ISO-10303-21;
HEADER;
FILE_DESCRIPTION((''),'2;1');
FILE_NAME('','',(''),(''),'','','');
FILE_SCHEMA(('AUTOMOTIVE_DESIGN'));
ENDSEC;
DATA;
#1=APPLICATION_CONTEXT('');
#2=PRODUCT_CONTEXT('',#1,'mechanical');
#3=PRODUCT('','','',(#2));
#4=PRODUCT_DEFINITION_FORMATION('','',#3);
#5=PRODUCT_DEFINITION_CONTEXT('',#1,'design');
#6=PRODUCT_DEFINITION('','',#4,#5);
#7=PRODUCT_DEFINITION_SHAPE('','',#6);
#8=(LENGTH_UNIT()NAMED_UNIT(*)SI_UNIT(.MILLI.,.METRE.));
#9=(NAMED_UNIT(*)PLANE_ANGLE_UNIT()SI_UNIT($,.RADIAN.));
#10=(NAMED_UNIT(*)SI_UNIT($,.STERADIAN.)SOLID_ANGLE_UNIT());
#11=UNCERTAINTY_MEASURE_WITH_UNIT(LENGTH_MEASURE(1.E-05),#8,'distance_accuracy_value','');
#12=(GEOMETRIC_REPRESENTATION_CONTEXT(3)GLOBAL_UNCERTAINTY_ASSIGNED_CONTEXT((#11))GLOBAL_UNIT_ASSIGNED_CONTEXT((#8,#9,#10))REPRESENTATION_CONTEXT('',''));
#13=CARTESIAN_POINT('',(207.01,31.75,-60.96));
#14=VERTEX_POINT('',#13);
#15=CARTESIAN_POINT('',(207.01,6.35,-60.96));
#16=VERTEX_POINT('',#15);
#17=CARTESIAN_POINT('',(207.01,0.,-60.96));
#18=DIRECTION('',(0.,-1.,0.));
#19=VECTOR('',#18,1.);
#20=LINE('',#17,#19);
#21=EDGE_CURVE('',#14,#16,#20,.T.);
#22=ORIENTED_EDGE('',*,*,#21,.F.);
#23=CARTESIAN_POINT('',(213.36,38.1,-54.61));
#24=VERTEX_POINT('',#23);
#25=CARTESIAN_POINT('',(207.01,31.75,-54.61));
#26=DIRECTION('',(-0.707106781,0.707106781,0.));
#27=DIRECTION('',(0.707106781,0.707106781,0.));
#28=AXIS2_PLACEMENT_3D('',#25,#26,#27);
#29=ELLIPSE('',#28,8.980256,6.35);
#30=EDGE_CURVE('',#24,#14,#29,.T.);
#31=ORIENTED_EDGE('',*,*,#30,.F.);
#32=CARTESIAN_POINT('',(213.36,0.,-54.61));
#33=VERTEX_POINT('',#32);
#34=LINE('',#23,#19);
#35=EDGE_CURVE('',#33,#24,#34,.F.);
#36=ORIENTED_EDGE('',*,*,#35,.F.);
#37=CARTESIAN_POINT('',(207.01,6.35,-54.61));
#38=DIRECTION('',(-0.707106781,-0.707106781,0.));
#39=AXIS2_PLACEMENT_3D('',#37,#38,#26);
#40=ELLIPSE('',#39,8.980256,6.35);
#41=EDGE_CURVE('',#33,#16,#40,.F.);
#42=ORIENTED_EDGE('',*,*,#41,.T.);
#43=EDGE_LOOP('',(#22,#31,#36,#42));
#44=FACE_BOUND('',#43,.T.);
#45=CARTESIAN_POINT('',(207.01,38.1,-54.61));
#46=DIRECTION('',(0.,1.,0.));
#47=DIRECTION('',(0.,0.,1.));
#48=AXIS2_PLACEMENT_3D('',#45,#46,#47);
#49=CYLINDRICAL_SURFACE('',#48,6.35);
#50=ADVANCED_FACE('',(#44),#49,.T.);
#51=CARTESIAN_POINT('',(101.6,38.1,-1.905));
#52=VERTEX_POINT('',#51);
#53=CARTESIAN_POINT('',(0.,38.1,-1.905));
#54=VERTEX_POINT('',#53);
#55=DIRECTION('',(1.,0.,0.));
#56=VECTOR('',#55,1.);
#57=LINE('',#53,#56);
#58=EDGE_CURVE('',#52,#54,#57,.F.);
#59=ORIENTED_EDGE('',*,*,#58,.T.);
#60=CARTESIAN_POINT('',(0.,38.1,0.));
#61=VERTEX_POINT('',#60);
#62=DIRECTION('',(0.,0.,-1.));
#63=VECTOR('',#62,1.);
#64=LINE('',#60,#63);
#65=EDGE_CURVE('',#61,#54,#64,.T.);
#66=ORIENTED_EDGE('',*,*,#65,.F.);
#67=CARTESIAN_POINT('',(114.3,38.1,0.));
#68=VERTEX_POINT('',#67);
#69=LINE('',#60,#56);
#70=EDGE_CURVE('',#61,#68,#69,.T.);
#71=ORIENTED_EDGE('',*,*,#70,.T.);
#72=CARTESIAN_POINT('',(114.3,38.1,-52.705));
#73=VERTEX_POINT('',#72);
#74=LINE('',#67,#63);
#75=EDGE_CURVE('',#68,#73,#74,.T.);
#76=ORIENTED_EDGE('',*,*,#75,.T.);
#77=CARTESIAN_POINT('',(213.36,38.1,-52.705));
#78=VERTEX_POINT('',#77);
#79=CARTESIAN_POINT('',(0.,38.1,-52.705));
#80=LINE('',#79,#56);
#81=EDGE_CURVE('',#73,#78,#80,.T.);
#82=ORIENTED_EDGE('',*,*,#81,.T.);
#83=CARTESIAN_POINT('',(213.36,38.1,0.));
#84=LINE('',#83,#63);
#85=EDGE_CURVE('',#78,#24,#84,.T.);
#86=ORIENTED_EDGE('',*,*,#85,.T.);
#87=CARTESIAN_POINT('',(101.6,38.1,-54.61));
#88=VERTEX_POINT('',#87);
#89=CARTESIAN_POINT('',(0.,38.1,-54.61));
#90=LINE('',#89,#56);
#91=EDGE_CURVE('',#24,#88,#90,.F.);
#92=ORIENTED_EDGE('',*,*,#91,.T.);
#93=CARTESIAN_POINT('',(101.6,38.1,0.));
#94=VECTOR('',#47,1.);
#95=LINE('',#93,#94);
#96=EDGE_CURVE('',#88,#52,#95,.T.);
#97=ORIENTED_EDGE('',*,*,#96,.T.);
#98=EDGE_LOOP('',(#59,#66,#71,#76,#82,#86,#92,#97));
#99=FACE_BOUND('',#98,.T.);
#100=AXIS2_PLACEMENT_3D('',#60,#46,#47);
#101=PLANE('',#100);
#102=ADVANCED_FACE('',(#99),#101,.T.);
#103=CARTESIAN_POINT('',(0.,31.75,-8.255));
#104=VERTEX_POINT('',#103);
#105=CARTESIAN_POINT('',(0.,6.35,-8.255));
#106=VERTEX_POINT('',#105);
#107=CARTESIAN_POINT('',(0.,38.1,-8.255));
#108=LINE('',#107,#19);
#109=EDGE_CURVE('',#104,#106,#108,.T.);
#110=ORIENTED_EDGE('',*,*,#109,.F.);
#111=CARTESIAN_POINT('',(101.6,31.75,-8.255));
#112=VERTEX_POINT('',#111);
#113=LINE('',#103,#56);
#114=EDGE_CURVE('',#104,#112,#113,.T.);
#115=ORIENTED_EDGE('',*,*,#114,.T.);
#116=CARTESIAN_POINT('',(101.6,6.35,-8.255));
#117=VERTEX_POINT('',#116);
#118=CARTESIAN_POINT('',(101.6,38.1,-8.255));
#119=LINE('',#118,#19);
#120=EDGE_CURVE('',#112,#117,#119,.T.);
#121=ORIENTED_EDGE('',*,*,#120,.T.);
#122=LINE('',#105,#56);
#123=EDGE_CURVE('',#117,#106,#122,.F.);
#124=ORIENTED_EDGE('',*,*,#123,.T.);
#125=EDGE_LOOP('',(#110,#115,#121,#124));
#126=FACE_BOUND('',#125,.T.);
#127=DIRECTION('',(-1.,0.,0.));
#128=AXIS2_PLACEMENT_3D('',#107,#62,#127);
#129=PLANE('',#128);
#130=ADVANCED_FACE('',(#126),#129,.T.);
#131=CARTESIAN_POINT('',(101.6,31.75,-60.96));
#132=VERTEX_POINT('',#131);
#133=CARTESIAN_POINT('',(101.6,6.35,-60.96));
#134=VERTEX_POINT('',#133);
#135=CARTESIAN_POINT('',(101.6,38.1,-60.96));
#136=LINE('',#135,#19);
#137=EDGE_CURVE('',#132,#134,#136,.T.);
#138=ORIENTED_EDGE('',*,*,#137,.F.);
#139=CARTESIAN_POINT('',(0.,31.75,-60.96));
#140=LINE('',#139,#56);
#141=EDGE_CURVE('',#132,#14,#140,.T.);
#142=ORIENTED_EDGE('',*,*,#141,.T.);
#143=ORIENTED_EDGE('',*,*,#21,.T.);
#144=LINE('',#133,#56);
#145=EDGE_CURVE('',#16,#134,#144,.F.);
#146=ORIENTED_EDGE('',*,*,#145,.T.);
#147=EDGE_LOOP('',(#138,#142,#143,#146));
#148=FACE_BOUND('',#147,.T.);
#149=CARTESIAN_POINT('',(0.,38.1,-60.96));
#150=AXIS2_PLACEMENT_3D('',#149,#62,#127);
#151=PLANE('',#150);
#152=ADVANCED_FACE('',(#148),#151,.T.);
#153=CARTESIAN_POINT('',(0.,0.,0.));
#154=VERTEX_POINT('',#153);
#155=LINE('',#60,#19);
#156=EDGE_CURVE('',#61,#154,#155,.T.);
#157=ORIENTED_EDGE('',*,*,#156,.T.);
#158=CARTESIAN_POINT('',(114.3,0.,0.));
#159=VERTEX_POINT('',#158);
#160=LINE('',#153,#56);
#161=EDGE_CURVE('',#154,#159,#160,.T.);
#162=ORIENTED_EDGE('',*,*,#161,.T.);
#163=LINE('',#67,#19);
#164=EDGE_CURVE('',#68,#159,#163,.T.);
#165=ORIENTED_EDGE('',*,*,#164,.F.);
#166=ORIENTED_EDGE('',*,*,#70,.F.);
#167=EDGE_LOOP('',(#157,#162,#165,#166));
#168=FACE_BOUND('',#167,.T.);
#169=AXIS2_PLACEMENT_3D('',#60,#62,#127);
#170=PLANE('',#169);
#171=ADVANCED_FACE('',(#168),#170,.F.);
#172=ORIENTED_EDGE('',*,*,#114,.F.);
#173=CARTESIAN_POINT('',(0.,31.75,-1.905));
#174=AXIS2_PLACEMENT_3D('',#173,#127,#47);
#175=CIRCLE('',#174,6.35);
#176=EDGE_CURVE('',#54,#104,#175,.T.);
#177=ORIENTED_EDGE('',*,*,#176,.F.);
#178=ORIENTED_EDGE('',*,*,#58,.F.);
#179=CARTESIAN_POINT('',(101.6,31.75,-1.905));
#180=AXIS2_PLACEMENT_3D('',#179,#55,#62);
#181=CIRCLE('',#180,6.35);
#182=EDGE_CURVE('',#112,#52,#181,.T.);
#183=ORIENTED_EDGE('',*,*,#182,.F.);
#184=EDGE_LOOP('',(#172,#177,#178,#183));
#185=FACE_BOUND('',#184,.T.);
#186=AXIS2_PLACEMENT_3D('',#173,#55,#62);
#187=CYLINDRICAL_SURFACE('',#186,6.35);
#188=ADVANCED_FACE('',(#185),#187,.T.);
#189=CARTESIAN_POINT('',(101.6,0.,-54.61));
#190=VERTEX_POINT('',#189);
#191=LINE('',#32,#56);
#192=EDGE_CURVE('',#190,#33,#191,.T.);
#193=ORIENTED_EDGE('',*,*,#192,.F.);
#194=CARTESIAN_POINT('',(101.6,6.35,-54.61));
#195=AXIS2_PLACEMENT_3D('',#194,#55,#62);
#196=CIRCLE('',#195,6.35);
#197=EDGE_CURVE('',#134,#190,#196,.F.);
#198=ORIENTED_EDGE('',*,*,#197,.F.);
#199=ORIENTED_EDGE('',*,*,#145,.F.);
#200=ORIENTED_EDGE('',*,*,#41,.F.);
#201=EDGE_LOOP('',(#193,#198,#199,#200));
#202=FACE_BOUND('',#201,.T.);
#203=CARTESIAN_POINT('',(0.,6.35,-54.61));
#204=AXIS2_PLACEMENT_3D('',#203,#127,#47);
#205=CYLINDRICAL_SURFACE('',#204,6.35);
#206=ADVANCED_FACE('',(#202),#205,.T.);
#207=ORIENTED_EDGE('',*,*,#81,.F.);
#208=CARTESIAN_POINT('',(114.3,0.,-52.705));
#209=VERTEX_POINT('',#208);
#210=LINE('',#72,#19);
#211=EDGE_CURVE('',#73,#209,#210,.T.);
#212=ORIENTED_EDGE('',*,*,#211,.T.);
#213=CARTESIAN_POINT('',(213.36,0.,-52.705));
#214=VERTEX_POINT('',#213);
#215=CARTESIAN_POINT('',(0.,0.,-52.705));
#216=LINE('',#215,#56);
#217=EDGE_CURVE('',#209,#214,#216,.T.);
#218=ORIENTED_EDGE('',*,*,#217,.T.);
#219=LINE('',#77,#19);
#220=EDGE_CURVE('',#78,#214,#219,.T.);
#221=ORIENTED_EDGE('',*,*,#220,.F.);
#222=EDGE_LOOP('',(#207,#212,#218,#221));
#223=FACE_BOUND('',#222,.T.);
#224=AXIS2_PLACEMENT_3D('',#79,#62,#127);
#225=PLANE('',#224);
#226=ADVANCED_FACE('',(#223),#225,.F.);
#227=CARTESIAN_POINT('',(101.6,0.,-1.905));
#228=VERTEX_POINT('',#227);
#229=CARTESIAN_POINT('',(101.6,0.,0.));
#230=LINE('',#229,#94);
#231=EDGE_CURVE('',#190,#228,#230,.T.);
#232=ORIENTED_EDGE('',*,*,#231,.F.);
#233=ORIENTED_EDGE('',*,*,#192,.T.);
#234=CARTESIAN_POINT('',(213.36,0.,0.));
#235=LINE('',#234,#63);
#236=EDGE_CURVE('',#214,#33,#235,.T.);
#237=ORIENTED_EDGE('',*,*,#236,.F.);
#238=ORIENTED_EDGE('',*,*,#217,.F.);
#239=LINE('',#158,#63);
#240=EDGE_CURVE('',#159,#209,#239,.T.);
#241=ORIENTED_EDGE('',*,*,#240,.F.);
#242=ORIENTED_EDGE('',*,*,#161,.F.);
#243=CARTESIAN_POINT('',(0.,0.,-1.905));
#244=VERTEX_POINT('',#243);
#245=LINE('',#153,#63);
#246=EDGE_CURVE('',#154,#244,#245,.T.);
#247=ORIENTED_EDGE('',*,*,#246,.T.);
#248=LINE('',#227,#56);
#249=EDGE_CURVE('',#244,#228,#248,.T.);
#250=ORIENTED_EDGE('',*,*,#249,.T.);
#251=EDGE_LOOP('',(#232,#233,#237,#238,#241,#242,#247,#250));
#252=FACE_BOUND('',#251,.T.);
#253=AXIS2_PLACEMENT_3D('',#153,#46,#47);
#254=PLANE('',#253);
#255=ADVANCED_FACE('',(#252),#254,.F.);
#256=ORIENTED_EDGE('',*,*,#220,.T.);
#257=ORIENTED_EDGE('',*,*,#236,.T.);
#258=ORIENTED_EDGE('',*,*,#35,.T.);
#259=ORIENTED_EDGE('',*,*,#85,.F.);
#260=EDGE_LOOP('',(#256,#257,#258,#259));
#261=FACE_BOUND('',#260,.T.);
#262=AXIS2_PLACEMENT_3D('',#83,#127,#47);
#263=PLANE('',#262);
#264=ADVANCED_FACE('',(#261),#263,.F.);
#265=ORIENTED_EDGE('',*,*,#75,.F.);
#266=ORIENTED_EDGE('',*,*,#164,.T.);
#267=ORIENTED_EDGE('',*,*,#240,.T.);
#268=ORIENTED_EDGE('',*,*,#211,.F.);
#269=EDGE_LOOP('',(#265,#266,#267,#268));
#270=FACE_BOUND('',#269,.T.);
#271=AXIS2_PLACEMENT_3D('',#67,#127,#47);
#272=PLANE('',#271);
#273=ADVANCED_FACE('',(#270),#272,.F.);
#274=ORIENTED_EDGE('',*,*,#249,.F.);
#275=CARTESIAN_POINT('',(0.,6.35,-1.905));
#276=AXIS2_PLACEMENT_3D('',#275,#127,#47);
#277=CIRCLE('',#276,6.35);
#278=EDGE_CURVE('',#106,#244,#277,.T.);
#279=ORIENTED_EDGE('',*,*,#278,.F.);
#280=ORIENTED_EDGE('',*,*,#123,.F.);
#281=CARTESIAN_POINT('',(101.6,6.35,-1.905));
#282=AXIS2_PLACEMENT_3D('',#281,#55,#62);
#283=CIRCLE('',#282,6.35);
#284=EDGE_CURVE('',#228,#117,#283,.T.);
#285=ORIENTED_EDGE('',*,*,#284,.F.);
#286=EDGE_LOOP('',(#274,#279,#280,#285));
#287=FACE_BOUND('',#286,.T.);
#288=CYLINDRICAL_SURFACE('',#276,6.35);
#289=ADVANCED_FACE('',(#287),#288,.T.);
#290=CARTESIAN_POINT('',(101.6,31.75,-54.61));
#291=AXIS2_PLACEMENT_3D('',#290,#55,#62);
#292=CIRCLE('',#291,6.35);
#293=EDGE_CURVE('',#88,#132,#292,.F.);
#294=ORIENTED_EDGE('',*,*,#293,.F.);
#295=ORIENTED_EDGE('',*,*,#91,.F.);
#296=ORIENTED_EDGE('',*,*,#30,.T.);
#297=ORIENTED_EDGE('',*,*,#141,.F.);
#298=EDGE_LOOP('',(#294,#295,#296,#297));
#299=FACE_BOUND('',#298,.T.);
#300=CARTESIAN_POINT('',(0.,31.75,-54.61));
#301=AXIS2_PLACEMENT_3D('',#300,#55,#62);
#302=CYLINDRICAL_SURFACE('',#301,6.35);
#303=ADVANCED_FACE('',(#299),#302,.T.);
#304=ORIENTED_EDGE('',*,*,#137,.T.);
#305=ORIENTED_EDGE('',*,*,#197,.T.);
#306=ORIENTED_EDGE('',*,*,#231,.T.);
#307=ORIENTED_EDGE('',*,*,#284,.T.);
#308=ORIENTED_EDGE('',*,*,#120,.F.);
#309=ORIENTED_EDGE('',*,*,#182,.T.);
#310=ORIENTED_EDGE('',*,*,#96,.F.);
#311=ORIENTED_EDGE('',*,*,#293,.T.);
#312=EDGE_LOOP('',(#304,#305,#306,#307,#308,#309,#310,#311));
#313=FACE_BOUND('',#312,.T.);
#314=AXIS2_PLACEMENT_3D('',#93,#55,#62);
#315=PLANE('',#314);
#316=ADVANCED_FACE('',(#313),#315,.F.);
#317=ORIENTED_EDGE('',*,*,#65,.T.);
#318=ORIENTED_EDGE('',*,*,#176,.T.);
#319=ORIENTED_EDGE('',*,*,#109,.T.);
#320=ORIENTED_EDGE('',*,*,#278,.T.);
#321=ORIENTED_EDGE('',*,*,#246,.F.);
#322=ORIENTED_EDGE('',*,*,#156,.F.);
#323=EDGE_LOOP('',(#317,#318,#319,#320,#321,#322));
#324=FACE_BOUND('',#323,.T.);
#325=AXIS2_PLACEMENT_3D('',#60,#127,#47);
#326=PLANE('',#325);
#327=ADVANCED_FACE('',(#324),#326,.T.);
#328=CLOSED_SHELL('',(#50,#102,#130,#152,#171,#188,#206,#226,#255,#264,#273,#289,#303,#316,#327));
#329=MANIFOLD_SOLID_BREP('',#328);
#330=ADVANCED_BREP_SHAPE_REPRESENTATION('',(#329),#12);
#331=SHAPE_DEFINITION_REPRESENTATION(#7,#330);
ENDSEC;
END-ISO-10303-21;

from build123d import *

# Parameters (mm, degrees)
SKETCH2_W           = 12.7
SKETCH2_H           = 44.45
BOSS_EXTRUDE1_DEPTH = 38.1
FILLET1_R           = 6.35


with BuildPart() as part:
    # Sketch2 → Boss-Extrude1 (new body)
    with BuildSketch(Plane(origin=(0, 0, 0), x_dir=(1, 0, 0), z_dir=(0, 1, 0))):
        Polygon((0, 8.255), (0, 0), (114.3, 0), (114.3, 8.255), (101.6, 8.255), align=None)
        with Locations((107.95, 30.48)):
            Rectangle(SKETCH2_W, SKETCH2_H)
        Polygon((101.6, 52.705), (114.3, 52.705), (213.36, 52.705), (213.36, 60.96), (101.6, 60.96), align=None)
    extrude(amount=BOSS_EXTRUDE1_DEPTH)

    # Fillet1
    fillet1_edges = [part.edges().sort_by_distance(p)[0] for p in [
        (50.8, 0, -8.255),
        (157.48, 0, -60.96),
        (213.36, 19.05, -60.96),
        (157.48, 38.1, -60.96),
        (50.8, 38.1, -8.255),
    ]]
    fillet(fillet1_edges, radius=FILLET1_R)


solid = part.part
